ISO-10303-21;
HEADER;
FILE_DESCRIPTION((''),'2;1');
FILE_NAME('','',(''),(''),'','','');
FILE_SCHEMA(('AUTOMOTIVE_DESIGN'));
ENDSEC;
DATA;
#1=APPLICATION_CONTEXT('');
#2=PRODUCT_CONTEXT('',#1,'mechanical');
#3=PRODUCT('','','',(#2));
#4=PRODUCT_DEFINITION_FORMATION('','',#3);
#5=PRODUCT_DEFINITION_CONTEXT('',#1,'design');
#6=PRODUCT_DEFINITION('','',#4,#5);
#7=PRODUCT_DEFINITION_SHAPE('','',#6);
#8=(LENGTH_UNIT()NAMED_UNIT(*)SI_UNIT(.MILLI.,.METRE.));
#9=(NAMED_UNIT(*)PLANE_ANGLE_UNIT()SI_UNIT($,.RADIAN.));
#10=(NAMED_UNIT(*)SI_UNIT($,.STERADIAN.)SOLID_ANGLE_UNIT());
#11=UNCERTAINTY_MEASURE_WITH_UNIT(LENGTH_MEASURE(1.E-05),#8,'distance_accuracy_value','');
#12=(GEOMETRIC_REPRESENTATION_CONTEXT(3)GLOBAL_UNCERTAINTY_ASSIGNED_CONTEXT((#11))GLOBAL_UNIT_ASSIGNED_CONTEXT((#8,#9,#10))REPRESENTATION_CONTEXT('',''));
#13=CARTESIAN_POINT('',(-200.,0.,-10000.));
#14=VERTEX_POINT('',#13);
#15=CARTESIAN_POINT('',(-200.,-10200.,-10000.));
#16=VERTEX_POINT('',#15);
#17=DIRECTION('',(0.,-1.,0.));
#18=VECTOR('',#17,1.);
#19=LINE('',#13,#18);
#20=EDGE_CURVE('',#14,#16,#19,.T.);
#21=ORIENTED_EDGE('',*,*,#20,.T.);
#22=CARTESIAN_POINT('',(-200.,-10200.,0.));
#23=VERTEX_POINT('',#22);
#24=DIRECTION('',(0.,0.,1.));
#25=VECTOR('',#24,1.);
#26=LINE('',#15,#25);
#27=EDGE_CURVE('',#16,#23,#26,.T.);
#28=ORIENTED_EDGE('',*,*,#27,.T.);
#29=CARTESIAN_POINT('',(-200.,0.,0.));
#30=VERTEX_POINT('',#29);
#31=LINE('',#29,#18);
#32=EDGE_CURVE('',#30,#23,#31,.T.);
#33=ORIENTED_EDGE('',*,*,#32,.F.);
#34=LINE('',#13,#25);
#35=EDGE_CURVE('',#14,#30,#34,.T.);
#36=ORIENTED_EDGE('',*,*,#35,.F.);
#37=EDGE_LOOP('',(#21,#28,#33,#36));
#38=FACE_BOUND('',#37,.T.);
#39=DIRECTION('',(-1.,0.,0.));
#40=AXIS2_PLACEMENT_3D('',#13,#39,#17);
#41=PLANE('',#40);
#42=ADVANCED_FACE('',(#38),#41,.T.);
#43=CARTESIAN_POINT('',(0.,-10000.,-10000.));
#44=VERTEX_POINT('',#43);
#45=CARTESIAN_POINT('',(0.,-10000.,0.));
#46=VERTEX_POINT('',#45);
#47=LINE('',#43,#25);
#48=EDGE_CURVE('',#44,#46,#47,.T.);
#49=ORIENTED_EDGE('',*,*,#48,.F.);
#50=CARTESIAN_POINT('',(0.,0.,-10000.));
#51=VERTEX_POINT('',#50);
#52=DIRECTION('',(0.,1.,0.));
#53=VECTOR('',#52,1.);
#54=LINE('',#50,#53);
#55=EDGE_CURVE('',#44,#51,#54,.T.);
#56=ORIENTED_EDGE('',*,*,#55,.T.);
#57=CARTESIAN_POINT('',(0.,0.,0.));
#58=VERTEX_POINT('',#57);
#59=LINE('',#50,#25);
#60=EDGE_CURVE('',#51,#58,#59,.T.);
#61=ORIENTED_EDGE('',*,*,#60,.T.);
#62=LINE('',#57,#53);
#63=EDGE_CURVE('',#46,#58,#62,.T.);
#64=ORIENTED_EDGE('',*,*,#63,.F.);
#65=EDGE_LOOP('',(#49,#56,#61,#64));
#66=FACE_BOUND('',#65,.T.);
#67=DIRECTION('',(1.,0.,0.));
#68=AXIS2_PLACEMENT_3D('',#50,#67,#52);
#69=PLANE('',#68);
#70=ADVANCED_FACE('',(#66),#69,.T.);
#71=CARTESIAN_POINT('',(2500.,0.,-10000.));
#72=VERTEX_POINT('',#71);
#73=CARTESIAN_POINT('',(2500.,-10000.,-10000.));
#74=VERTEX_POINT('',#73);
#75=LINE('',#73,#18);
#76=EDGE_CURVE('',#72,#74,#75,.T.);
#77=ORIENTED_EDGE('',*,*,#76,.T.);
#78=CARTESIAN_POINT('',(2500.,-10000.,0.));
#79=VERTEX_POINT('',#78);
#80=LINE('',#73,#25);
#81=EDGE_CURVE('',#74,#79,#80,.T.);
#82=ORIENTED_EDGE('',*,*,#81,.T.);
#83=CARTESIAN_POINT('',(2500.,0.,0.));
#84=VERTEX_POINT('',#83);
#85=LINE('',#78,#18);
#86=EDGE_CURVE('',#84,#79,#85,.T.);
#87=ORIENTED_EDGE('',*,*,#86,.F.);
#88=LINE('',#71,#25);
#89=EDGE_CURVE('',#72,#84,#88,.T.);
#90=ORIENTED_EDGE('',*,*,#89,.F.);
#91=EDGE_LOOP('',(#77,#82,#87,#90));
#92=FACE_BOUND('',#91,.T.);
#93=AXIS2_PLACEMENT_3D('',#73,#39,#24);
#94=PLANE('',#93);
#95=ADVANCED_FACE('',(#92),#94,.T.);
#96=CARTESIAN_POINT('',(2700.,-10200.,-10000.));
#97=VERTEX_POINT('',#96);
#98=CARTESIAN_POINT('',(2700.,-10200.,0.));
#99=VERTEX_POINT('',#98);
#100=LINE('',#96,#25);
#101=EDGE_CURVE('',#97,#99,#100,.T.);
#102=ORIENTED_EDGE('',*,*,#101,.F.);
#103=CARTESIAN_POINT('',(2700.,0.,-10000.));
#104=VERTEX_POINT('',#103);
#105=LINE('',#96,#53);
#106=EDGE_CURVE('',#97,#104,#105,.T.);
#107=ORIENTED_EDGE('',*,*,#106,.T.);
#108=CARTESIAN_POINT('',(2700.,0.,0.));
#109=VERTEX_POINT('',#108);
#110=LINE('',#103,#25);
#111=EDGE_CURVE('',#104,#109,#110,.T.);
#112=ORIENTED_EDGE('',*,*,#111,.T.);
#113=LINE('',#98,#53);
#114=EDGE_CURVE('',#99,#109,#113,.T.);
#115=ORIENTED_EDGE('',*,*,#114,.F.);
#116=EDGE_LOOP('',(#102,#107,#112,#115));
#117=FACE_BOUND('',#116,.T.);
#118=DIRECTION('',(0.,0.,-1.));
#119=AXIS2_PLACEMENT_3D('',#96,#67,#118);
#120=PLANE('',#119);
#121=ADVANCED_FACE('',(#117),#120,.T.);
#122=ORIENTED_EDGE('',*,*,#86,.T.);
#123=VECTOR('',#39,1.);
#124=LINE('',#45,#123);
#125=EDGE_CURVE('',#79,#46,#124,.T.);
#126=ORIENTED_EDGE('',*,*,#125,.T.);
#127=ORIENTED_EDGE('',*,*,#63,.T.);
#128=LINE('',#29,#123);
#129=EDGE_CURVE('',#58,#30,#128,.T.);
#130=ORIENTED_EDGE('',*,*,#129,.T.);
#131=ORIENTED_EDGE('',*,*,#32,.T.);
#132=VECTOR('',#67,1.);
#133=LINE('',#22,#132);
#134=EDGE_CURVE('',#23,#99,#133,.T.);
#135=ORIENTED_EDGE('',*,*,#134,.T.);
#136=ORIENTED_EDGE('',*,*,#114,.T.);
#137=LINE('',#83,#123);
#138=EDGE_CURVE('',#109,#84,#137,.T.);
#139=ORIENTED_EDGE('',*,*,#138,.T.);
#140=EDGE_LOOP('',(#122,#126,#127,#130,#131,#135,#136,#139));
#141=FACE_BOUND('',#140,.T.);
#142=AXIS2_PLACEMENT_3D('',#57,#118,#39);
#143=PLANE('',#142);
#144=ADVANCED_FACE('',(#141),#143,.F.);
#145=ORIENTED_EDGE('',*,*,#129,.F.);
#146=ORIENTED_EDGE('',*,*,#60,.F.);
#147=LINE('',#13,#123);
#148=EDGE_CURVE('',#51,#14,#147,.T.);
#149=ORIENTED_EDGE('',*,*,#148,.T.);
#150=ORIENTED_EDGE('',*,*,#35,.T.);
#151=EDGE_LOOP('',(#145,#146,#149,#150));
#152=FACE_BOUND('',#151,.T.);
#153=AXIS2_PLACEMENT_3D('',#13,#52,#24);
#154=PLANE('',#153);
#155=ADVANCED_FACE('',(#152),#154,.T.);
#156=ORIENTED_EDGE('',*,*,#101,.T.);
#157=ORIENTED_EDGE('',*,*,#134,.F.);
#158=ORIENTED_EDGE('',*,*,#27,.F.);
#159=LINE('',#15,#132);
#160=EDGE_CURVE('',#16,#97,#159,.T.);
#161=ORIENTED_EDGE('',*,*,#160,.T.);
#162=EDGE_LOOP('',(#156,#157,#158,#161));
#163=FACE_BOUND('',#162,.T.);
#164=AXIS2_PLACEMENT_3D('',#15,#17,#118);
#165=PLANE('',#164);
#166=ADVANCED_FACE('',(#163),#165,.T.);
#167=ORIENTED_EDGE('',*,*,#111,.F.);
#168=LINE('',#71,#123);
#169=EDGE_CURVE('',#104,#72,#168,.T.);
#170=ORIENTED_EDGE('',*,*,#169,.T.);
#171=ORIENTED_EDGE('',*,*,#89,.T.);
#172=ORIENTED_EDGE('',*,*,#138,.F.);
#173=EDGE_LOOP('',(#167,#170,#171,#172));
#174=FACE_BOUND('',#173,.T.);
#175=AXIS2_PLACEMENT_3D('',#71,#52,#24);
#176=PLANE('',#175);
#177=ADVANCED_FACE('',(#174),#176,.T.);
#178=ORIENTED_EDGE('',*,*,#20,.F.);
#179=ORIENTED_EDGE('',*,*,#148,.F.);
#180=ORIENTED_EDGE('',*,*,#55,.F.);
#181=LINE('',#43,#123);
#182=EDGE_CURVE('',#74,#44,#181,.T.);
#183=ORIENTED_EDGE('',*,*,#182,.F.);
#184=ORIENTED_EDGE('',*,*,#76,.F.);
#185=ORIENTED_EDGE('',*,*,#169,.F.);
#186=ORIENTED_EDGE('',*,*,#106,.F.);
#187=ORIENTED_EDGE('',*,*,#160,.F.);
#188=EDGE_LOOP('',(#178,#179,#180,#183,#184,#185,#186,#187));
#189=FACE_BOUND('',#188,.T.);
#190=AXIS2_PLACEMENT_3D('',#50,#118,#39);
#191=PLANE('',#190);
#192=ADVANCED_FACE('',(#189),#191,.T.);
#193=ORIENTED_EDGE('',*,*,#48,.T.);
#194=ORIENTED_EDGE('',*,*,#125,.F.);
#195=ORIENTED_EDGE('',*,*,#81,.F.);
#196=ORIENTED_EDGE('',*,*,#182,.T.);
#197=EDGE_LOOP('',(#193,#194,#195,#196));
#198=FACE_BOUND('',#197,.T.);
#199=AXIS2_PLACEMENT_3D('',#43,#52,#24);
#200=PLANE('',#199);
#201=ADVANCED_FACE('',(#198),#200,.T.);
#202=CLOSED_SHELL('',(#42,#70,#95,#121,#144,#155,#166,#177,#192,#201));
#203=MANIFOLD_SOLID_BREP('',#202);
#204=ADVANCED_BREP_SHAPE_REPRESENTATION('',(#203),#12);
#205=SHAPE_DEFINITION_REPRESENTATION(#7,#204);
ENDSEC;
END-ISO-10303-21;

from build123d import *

# Parameters (mm, degrees)
BOSS_EXTRUDE1_DEPTH = 10000


with BuildPart() as part:
    # Sketch2 → Boss-Extrude1 (new body)
    with BuildSketch(Plane.XY):
        Polygon((0, 0), (0, -10000), (2500, -10000), (2500, 0), (2700, 0), (2700, -10200), (-200, -10200), (-200, 0), align=None)
    extrude(amount=-BOSS_EXTRUDE1_DEPTH)


solid = part.part
